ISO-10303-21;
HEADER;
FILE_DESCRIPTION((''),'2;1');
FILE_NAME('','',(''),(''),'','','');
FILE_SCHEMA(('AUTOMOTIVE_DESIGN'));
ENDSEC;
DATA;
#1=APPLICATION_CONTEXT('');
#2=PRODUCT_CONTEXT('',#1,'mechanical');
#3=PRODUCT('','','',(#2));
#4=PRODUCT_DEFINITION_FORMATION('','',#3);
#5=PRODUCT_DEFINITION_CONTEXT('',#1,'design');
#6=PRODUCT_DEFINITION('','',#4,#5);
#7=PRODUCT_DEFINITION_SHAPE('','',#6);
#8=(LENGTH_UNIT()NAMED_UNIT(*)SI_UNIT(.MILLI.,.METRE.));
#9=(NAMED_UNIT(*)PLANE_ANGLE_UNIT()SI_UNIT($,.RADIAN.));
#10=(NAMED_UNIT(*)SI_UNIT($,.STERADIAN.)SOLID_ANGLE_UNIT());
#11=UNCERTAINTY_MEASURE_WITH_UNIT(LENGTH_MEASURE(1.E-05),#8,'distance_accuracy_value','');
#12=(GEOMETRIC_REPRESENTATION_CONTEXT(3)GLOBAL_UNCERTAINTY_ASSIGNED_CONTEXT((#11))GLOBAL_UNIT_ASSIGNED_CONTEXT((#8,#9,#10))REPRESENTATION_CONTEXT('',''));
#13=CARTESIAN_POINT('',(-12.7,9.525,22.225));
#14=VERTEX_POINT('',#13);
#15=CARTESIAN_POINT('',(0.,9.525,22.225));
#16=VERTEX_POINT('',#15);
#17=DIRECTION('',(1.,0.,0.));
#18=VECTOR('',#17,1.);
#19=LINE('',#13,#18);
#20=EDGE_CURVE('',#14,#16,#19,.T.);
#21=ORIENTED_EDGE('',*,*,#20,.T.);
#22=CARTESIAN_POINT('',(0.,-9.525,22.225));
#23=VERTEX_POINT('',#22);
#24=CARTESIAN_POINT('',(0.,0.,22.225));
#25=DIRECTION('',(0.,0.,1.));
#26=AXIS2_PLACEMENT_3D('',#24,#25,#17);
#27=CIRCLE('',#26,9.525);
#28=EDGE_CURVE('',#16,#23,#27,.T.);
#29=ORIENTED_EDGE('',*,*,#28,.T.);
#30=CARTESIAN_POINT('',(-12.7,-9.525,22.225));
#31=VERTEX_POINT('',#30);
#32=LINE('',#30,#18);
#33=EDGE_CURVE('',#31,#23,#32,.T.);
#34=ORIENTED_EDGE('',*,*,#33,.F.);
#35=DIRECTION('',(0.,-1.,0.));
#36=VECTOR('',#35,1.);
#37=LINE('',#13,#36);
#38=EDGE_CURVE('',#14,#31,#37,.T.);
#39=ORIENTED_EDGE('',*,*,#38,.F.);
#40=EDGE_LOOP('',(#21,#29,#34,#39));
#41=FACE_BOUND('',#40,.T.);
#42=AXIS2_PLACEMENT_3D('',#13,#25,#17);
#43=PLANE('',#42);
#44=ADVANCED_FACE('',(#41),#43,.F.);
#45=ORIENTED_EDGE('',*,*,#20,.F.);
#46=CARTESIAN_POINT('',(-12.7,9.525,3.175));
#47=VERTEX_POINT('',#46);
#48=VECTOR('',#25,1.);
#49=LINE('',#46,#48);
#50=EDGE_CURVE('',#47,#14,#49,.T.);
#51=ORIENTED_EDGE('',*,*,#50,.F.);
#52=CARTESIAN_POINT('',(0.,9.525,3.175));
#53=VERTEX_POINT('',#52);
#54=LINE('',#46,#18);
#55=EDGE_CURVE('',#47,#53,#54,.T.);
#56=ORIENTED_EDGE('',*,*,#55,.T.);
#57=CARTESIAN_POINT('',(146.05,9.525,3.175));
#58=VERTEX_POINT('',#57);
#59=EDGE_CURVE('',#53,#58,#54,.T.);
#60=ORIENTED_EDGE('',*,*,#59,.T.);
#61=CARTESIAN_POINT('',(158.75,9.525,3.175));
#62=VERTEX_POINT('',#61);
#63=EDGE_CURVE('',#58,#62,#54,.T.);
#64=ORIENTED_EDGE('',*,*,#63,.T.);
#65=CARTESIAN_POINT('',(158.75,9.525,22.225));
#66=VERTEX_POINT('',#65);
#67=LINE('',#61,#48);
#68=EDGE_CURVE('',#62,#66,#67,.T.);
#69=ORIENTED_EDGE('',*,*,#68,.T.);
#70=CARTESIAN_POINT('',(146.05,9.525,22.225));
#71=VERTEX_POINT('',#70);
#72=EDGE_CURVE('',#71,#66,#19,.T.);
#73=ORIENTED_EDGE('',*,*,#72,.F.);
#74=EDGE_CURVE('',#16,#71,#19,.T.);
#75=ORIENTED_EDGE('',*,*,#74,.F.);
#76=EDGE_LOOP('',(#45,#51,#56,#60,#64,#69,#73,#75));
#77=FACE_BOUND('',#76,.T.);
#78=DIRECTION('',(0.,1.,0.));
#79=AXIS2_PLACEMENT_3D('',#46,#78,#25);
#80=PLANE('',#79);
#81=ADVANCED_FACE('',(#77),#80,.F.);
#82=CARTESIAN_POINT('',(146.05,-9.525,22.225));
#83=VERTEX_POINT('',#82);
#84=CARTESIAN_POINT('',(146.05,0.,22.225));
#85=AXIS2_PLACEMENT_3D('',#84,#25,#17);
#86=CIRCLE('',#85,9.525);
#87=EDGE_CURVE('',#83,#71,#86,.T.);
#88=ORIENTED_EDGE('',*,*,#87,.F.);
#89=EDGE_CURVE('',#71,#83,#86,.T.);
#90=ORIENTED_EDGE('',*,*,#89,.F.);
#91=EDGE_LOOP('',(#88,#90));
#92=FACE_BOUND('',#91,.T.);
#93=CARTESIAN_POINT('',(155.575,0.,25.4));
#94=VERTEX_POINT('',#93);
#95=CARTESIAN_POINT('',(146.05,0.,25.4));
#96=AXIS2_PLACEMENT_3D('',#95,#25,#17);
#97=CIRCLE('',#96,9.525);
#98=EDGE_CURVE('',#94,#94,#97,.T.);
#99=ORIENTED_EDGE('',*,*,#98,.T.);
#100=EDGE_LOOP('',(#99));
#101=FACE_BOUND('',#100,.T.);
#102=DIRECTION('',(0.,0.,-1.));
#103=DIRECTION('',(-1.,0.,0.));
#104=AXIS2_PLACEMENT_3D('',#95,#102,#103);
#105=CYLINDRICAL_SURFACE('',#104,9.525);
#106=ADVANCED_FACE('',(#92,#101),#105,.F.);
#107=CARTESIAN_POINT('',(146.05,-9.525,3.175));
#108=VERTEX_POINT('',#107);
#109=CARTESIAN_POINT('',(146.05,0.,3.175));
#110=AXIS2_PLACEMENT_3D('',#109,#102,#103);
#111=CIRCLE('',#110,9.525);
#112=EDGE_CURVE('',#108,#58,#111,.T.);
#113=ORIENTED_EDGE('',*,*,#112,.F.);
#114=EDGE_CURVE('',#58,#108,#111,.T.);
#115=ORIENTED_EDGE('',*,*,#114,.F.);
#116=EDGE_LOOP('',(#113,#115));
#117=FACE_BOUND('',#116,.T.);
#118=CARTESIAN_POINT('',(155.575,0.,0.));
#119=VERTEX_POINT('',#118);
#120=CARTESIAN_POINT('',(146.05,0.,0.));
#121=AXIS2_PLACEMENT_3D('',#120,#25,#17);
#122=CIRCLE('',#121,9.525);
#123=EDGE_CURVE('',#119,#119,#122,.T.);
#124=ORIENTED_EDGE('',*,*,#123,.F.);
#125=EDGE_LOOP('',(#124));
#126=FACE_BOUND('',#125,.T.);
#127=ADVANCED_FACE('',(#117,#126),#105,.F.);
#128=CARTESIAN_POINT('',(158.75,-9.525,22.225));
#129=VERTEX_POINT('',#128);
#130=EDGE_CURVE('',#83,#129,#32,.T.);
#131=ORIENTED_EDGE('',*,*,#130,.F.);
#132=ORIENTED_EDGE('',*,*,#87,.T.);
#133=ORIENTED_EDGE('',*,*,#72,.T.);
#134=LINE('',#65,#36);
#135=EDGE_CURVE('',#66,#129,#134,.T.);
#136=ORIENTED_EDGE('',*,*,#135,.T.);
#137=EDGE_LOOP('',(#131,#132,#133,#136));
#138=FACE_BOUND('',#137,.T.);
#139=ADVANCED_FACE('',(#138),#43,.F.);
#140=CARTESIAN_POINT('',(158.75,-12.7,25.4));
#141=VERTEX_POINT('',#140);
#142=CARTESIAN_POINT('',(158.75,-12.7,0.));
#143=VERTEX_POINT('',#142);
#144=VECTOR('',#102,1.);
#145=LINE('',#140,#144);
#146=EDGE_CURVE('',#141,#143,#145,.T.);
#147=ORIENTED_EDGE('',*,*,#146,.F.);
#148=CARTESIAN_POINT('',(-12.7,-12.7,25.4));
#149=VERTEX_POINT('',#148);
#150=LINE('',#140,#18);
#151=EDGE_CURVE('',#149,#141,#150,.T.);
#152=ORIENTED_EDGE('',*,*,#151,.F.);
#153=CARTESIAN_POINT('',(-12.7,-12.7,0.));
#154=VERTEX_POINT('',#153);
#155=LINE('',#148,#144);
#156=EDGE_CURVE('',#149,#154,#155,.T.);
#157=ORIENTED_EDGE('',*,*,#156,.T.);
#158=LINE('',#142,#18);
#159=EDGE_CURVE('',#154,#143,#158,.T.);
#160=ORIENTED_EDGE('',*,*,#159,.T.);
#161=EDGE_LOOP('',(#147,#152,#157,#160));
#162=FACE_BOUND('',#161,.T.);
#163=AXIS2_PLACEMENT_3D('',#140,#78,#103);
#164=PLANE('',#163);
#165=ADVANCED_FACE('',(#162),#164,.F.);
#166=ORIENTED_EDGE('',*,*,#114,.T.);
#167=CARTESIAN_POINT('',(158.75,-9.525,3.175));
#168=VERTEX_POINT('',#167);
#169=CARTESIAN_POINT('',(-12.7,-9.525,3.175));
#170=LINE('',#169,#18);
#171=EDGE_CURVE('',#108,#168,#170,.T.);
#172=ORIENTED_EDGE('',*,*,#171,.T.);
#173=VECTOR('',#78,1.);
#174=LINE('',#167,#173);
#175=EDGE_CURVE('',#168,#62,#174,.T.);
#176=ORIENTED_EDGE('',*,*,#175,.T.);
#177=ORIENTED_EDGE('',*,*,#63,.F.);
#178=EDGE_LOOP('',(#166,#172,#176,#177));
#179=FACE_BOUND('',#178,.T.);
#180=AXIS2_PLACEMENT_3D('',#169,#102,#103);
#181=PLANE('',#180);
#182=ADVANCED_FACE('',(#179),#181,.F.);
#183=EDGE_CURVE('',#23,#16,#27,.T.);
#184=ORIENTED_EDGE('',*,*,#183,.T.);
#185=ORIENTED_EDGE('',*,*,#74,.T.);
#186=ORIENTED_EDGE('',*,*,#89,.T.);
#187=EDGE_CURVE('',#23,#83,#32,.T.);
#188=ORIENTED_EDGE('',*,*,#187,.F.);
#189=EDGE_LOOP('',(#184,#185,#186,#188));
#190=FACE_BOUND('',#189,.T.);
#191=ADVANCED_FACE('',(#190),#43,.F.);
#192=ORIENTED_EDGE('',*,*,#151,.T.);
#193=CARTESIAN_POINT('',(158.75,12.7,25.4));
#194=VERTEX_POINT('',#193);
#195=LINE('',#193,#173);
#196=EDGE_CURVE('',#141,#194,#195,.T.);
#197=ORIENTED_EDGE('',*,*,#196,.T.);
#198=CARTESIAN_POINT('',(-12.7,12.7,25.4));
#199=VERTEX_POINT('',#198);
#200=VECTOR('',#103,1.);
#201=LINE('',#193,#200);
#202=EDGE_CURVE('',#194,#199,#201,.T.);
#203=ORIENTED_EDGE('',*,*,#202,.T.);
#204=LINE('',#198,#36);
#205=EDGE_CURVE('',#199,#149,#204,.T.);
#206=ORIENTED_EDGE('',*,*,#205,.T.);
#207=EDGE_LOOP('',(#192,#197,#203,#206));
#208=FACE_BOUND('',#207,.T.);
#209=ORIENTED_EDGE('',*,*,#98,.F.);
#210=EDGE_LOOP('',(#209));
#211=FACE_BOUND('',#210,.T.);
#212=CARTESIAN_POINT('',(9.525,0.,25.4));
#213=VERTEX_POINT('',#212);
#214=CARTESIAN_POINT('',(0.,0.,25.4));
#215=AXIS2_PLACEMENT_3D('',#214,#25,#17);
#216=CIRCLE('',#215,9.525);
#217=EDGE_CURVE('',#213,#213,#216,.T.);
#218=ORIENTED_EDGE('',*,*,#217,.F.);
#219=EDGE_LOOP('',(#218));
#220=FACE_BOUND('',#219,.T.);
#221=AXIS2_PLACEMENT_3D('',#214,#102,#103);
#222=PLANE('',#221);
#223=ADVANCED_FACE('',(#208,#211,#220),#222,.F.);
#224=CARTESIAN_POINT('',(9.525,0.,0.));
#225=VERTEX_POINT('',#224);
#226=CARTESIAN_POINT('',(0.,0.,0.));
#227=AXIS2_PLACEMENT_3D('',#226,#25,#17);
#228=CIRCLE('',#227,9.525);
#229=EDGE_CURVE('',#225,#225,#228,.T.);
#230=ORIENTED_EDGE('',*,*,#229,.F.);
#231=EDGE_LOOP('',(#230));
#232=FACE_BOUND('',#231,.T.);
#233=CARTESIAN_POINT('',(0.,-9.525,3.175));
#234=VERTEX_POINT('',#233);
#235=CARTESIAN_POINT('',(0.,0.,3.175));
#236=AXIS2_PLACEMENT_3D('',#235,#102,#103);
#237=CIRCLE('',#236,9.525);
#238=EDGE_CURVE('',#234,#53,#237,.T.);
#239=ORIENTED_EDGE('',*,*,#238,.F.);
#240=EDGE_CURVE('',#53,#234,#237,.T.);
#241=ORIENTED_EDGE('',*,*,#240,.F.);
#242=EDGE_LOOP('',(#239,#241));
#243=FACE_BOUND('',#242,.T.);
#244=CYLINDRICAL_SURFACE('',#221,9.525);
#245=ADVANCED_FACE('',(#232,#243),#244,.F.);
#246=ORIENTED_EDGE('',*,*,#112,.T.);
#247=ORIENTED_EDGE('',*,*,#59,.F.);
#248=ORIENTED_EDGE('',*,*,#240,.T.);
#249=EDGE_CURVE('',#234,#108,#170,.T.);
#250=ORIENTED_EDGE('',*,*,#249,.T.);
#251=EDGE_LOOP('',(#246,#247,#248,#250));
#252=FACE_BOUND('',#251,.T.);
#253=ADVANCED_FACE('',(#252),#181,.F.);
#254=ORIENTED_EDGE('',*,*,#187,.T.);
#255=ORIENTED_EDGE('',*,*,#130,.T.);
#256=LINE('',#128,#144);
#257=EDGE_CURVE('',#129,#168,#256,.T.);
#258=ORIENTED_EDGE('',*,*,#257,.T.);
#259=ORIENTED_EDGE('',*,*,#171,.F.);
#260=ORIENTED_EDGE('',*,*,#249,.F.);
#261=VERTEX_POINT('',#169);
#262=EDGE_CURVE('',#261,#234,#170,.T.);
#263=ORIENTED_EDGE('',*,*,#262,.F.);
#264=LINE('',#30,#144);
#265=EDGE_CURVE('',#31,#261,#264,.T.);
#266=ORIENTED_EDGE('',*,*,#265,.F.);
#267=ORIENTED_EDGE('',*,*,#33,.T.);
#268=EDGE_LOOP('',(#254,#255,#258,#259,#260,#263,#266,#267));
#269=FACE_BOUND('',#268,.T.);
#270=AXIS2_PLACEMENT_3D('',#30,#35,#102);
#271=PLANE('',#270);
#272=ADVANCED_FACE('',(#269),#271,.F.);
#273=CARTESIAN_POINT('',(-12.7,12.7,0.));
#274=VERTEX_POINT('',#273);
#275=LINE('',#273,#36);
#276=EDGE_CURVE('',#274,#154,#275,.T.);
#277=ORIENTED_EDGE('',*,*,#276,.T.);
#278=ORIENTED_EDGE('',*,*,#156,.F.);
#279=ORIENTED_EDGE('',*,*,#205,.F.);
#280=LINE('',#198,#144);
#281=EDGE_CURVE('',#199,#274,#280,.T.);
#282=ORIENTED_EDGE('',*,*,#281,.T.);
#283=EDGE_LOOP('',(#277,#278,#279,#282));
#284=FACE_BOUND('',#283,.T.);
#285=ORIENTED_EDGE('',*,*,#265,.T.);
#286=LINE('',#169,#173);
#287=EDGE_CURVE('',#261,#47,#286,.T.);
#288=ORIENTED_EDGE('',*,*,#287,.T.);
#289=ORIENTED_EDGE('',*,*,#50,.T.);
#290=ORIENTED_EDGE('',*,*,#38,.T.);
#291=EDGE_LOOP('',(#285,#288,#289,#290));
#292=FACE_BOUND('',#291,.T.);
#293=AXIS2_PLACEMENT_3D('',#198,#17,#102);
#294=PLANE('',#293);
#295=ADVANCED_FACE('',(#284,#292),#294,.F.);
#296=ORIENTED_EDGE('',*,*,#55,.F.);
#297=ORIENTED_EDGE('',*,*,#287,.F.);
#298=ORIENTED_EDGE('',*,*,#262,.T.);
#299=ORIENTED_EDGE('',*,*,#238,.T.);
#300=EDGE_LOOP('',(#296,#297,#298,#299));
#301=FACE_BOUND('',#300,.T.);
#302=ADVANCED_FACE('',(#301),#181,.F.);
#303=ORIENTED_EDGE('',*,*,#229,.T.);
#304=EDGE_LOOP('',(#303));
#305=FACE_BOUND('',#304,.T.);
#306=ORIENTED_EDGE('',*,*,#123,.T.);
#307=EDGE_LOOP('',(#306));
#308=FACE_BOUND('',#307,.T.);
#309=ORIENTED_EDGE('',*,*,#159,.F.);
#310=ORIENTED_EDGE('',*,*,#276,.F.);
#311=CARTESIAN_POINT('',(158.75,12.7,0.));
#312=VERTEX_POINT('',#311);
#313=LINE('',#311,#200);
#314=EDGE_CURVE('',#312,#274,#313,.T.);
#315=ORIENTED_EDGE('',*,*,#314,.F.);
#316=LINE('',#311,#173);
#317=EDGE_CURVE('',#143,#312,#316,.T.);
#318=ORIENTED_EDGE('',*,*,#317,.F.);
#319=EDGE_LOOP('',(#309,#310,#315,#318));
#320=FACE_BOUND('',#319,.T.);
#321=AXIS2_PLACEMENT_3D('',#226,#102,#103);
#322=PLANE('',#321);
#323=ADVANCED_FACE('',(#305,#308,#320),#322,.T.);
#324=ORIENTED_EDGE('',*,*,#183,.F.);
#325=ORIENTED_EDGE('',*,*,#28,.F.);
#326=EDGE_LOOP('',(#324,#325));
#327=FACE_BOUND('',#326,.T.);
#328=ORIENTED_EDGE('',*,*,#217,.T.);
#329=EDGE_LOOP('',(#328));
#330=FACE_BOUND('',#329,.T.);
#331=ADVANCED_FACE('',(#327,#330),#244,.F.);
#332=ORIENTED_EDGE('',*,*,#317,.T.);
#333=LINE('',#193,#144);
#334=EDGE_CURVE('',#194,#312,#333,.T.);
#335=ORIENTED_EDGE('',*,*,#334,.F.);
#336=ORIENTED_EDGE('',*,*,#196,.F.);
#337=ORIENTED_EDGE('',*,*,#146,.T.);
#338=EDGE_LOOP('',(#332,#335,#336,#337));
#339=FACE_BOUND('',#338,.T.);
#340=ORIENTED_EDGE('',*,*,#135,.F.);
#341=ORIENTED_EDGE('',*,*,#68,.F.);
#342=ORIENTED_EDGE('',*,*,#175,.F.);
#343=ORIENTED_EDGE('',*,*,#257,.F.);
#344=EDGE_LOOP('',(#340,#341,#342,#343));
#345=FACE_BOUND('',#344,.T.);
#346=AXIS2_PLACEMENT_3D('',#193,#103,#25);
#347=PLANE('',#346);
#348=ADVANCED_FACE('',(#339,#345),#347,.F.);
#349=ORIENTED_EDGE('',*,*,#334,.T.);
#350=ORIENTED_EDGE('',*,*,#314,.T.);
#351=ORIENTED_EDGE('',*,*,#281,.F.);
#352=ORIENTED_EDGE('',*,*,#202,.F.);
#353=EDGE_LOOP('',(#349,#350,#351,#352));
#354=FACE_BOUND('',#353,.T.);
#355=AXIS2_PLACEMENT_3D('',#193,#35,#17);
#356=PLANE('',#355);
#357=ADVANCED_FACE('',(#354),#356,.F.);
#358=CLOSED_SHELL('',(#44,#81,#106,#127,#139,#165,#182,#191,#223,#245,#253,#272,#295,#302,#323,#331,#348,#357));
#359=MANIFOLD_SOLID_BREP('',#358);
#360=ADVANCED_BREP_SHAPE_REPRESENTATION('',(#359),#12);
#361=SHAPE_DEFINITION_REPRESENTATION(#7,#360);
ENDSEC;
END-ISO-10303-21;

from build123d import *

# Parameters (mm, degrees)
SKETCH1_W           = 171.45
SKETCH1_H           = 25.4
SKETCH1_R           = 9.525
BOSS_EXTRUDE1_DEPTH = 25.4
SKETCH2_W           = 19.05
SKETCH2_H           = 19.05
CUT_EXTRUDE1_DEPTH  = 174.785938729


with BuildPart() as part:
    # Sketch1 → Boss-Extrude1 (new body)
    with BuildSketch(Plane.XY):
        with Locations((73.025, 0)):
            Rectangle(SKETCH1_W, SKETCH1_H)
        Circle(SKETCH1_R, mode=Mode.SUBTRACT)
        with Locations((146.05, 0)):
            Circle(SKETCH1_R, mode=Mode.SUBTRACT)
    extrude(amount=BOSS_EXTRUDE1_DEPTH)

    # Sketch2 → Cut-Extrude1 (cut, through all)
    with BuildSketch(Plane(origin=(158.75, 0, 0), x_dir=(0, 0, -1), z_dir=(1, 0, 0))):
        with Locations((-12.7, 0)):
            Rectangle(SKETCH2_W, SKETCH2_H)
    extrude(amount=-CUT_EXTRUDE1_DEPTH, mode=Mode.SUBTRACT)


solid = part.part
